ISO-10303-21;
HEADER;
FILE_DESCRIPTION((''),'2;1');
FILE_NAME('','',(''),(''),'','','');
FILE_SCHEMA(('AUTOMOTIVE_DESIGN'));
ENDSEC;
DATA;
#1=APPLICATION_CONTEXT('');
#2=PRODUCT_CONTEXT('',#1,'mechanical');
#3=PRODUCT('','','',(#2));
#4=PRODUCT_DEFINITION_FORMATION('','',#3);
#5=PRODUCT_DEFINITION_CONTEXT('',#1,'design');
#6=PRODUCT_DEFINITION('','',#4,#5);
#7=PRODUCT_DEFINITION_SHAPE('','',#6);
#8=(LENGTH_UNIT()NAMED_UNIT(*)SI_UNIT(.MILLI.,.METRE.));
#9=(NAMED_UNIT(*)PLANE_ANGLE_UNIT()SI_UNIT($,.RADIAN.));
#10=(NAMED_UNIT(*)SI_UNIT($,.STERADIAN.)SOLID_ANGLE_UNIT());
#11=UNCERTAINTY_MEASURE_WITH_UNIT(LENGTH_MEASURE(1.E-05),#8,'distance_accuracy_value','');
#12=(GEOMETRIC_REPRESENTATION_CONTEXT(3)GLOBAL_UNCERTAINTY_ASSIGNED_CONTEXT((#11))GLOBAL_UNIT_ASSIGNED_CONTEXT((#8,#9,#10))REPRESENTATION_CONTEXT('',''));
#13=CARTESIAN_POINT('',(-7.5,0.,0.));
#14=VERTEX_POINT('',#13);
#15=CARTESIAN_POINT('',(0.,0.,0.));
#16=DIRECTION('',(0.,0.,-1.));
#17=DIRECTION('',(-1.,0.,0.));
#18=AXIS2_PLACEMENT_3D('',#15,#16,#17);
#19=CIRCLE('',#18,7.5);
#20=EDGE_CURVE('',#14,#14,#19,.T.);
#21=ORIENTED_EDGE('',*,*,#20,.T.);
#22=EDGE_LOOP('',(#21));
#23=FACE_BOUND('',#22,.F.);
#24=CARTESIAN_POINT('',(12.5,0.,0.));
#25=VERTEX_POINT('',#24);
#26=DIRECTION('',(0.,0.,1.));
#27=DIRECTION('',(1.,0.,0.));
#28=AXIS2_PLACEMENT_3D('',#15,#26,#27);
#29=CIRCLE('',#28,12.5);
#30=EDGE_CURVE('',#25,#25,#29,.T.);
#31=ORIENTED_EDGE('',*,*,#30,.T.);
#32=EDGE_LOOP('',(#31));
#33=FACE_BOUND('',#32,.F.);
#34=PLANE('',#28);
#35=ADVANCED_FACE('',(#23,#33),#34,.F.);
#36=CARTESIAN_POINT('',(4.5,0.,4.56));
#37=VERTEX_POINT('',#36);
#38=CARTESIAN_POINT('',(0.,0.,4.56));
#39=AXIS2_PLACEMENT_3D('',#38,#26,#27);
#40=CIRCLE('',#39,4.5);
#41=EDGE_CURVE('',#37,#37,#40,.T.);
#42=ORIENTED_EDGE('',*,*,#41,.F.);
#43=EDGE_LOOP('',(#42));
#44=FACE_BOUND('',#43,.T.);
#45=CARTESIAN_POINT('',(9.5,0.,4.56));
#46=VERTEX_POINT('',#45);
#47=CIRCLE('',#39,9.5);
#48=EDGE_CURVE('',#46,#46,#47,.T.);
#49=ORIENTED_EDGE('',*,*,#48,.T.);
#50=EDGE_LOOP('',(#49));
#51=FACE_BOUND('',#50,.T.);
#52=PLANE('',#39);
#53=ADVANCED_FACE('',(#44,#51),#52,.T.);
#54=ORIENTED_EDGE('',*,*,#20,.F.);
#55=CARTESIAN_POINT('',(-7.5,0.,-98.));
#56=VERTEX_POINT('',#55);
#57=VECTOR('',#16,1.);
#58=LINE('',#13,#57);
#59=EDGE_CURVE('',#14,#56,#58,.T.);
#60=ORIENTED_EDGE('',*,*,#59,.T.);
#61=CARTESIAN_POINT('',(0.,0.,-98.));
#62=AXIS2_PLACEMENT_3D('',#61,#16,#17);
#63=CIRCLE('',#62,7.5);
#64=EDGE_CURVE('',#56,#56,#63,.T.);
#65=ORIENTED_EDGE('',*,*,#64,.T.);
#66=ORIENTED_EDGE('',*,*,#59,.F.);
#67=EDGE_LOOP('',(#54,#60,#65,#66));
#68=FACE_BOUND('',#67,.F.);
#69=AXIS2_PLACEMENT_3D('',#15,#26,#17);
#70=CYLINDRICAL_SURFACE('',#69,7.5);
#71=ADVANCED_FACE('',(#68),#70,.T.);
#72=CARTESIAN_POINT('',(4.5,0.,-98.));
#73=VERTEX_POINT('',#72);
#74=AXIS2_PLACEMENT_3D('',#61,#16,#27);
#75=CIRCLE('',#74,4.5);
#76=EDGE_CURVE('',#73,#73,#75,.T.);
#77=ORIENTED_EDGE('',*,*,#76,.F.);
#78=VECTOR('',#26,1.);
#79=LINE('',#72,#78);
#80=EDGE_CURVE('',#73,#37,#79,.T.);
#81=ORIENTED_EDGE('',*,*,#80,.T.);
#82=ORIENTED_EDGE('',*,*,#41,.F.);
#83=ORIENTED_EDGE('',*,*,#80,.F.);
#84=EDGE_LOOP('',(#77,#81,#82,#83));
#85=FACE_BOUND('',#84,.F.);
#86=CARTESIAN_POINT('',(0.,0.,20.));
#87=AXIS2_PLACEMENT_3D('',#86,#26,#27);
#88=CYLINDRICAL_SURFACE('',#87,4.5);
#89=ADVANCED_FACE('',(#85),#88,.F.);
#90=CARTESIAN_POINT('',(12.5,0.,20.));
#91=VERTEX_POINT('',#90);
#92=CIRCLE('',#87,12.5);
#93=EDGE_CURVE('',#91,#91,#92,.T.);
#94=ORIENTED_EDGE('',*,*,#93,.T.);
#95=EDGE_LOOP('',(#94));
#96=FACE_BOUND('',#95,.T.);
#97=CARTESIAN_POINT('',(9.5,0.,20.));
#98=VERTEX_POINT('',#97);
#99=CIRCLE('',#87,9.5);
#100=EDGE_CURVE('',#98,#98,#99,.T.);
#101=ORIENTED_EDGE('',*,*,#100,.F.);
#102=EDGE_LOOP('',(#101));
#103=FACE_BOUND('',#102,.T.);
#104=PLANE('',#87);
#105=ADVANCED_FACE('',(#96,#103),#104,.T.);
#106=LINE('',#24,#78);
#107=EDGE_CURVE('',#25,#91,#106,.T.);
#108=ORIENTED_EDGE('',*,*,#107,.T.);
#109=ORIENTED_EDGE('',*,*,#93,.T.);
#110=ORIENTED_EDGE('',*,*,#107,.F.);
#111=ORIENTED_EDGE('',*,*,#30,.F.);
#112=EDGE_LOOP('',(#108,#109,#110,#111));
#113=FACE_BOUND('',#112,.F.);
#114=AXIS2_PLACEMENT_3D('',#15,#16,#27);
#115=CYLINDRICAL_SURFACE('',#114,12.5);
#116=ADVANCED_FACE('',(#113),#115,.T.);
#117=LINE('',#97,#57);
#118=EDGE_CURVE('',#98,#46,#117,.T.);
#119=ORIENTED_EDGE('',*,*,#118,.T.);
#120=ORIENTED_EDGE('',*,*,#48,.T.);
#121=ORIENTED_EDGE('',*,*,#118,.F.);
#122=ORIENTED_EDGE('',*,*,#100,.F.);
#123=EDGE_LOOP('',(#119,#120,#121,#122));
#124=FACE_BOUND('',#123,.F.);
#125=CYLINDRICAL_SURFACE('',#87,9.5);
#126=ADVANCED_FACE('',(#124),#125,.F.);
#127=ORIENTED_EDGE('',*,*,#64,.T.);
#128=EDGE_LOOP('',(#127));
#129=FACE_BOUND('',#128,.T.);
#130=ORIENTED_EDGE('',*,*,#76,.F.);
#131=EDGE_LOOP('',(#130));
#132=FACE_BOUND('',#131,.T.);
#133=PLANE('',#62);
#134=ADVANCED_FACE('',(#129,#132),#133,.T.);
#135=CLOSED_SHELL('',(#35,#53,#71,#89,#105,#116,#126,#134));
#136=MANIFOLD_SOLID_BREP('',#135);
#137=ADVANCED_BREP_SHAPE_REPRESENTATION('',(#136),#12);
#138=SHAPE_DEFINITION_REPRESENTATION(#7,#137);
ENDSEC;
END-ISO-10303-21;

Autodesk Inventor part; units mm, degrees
ref_plane "YZ Plane" through (0, 0, 0) normal (1, 0, 0) x (0, 1, 0)
ref_plane "XZ Plane" through (0, 0, 0) normal (0, 1, 0) x (-1, 0, 0)
ref_plane "XY Plane" through (0, 0, 0) normal (0, 0, 1) x (1, 0, 0)
sketch "Sketch1" plane through (0, 0, 0) normal (0, 0, 1) x (1, 0, 0)
  circle A0 centre (0, 0) radius 12.5
  dimension "d0" = 25
extrude "Extrusion1" add sketch "Sketch1" along normal blind 20
sketch "Sketch2" plane through (0, 0, 0) normal (0, 0, -1) x (-1, 0, 0)
  circle A0 centre (0, 0) radius 4.5
  circle A1 centre (0, 0) radius 7.5
  dimension "d3" = 9
  dimension "d4" = 3
extrude "Extrusion2" add sketch "Sketch2" along normal blind 98
sketch "Sketch3" plane through (0, 0, 20) normal (0, 0, 1) x (1, 0, 0)
  circle A0 centre (0, 0) radius 4.5
  dimension "d7" = 9
extrude "Extrusion3" cut sketch "Sketch3" against normal through all
sketch "Sketch4" plane through (0, 0, 20) normal (0, 0, 1) x (1, 0, 0)
  circle A0 centre (0, 0) radius 9.5
  dimension "d10" = 19
extrude "Extrusion4" cut sketch "Sketch4" against normal blind 15.44
properties part number "Adapter" material "Stainless Steel"
